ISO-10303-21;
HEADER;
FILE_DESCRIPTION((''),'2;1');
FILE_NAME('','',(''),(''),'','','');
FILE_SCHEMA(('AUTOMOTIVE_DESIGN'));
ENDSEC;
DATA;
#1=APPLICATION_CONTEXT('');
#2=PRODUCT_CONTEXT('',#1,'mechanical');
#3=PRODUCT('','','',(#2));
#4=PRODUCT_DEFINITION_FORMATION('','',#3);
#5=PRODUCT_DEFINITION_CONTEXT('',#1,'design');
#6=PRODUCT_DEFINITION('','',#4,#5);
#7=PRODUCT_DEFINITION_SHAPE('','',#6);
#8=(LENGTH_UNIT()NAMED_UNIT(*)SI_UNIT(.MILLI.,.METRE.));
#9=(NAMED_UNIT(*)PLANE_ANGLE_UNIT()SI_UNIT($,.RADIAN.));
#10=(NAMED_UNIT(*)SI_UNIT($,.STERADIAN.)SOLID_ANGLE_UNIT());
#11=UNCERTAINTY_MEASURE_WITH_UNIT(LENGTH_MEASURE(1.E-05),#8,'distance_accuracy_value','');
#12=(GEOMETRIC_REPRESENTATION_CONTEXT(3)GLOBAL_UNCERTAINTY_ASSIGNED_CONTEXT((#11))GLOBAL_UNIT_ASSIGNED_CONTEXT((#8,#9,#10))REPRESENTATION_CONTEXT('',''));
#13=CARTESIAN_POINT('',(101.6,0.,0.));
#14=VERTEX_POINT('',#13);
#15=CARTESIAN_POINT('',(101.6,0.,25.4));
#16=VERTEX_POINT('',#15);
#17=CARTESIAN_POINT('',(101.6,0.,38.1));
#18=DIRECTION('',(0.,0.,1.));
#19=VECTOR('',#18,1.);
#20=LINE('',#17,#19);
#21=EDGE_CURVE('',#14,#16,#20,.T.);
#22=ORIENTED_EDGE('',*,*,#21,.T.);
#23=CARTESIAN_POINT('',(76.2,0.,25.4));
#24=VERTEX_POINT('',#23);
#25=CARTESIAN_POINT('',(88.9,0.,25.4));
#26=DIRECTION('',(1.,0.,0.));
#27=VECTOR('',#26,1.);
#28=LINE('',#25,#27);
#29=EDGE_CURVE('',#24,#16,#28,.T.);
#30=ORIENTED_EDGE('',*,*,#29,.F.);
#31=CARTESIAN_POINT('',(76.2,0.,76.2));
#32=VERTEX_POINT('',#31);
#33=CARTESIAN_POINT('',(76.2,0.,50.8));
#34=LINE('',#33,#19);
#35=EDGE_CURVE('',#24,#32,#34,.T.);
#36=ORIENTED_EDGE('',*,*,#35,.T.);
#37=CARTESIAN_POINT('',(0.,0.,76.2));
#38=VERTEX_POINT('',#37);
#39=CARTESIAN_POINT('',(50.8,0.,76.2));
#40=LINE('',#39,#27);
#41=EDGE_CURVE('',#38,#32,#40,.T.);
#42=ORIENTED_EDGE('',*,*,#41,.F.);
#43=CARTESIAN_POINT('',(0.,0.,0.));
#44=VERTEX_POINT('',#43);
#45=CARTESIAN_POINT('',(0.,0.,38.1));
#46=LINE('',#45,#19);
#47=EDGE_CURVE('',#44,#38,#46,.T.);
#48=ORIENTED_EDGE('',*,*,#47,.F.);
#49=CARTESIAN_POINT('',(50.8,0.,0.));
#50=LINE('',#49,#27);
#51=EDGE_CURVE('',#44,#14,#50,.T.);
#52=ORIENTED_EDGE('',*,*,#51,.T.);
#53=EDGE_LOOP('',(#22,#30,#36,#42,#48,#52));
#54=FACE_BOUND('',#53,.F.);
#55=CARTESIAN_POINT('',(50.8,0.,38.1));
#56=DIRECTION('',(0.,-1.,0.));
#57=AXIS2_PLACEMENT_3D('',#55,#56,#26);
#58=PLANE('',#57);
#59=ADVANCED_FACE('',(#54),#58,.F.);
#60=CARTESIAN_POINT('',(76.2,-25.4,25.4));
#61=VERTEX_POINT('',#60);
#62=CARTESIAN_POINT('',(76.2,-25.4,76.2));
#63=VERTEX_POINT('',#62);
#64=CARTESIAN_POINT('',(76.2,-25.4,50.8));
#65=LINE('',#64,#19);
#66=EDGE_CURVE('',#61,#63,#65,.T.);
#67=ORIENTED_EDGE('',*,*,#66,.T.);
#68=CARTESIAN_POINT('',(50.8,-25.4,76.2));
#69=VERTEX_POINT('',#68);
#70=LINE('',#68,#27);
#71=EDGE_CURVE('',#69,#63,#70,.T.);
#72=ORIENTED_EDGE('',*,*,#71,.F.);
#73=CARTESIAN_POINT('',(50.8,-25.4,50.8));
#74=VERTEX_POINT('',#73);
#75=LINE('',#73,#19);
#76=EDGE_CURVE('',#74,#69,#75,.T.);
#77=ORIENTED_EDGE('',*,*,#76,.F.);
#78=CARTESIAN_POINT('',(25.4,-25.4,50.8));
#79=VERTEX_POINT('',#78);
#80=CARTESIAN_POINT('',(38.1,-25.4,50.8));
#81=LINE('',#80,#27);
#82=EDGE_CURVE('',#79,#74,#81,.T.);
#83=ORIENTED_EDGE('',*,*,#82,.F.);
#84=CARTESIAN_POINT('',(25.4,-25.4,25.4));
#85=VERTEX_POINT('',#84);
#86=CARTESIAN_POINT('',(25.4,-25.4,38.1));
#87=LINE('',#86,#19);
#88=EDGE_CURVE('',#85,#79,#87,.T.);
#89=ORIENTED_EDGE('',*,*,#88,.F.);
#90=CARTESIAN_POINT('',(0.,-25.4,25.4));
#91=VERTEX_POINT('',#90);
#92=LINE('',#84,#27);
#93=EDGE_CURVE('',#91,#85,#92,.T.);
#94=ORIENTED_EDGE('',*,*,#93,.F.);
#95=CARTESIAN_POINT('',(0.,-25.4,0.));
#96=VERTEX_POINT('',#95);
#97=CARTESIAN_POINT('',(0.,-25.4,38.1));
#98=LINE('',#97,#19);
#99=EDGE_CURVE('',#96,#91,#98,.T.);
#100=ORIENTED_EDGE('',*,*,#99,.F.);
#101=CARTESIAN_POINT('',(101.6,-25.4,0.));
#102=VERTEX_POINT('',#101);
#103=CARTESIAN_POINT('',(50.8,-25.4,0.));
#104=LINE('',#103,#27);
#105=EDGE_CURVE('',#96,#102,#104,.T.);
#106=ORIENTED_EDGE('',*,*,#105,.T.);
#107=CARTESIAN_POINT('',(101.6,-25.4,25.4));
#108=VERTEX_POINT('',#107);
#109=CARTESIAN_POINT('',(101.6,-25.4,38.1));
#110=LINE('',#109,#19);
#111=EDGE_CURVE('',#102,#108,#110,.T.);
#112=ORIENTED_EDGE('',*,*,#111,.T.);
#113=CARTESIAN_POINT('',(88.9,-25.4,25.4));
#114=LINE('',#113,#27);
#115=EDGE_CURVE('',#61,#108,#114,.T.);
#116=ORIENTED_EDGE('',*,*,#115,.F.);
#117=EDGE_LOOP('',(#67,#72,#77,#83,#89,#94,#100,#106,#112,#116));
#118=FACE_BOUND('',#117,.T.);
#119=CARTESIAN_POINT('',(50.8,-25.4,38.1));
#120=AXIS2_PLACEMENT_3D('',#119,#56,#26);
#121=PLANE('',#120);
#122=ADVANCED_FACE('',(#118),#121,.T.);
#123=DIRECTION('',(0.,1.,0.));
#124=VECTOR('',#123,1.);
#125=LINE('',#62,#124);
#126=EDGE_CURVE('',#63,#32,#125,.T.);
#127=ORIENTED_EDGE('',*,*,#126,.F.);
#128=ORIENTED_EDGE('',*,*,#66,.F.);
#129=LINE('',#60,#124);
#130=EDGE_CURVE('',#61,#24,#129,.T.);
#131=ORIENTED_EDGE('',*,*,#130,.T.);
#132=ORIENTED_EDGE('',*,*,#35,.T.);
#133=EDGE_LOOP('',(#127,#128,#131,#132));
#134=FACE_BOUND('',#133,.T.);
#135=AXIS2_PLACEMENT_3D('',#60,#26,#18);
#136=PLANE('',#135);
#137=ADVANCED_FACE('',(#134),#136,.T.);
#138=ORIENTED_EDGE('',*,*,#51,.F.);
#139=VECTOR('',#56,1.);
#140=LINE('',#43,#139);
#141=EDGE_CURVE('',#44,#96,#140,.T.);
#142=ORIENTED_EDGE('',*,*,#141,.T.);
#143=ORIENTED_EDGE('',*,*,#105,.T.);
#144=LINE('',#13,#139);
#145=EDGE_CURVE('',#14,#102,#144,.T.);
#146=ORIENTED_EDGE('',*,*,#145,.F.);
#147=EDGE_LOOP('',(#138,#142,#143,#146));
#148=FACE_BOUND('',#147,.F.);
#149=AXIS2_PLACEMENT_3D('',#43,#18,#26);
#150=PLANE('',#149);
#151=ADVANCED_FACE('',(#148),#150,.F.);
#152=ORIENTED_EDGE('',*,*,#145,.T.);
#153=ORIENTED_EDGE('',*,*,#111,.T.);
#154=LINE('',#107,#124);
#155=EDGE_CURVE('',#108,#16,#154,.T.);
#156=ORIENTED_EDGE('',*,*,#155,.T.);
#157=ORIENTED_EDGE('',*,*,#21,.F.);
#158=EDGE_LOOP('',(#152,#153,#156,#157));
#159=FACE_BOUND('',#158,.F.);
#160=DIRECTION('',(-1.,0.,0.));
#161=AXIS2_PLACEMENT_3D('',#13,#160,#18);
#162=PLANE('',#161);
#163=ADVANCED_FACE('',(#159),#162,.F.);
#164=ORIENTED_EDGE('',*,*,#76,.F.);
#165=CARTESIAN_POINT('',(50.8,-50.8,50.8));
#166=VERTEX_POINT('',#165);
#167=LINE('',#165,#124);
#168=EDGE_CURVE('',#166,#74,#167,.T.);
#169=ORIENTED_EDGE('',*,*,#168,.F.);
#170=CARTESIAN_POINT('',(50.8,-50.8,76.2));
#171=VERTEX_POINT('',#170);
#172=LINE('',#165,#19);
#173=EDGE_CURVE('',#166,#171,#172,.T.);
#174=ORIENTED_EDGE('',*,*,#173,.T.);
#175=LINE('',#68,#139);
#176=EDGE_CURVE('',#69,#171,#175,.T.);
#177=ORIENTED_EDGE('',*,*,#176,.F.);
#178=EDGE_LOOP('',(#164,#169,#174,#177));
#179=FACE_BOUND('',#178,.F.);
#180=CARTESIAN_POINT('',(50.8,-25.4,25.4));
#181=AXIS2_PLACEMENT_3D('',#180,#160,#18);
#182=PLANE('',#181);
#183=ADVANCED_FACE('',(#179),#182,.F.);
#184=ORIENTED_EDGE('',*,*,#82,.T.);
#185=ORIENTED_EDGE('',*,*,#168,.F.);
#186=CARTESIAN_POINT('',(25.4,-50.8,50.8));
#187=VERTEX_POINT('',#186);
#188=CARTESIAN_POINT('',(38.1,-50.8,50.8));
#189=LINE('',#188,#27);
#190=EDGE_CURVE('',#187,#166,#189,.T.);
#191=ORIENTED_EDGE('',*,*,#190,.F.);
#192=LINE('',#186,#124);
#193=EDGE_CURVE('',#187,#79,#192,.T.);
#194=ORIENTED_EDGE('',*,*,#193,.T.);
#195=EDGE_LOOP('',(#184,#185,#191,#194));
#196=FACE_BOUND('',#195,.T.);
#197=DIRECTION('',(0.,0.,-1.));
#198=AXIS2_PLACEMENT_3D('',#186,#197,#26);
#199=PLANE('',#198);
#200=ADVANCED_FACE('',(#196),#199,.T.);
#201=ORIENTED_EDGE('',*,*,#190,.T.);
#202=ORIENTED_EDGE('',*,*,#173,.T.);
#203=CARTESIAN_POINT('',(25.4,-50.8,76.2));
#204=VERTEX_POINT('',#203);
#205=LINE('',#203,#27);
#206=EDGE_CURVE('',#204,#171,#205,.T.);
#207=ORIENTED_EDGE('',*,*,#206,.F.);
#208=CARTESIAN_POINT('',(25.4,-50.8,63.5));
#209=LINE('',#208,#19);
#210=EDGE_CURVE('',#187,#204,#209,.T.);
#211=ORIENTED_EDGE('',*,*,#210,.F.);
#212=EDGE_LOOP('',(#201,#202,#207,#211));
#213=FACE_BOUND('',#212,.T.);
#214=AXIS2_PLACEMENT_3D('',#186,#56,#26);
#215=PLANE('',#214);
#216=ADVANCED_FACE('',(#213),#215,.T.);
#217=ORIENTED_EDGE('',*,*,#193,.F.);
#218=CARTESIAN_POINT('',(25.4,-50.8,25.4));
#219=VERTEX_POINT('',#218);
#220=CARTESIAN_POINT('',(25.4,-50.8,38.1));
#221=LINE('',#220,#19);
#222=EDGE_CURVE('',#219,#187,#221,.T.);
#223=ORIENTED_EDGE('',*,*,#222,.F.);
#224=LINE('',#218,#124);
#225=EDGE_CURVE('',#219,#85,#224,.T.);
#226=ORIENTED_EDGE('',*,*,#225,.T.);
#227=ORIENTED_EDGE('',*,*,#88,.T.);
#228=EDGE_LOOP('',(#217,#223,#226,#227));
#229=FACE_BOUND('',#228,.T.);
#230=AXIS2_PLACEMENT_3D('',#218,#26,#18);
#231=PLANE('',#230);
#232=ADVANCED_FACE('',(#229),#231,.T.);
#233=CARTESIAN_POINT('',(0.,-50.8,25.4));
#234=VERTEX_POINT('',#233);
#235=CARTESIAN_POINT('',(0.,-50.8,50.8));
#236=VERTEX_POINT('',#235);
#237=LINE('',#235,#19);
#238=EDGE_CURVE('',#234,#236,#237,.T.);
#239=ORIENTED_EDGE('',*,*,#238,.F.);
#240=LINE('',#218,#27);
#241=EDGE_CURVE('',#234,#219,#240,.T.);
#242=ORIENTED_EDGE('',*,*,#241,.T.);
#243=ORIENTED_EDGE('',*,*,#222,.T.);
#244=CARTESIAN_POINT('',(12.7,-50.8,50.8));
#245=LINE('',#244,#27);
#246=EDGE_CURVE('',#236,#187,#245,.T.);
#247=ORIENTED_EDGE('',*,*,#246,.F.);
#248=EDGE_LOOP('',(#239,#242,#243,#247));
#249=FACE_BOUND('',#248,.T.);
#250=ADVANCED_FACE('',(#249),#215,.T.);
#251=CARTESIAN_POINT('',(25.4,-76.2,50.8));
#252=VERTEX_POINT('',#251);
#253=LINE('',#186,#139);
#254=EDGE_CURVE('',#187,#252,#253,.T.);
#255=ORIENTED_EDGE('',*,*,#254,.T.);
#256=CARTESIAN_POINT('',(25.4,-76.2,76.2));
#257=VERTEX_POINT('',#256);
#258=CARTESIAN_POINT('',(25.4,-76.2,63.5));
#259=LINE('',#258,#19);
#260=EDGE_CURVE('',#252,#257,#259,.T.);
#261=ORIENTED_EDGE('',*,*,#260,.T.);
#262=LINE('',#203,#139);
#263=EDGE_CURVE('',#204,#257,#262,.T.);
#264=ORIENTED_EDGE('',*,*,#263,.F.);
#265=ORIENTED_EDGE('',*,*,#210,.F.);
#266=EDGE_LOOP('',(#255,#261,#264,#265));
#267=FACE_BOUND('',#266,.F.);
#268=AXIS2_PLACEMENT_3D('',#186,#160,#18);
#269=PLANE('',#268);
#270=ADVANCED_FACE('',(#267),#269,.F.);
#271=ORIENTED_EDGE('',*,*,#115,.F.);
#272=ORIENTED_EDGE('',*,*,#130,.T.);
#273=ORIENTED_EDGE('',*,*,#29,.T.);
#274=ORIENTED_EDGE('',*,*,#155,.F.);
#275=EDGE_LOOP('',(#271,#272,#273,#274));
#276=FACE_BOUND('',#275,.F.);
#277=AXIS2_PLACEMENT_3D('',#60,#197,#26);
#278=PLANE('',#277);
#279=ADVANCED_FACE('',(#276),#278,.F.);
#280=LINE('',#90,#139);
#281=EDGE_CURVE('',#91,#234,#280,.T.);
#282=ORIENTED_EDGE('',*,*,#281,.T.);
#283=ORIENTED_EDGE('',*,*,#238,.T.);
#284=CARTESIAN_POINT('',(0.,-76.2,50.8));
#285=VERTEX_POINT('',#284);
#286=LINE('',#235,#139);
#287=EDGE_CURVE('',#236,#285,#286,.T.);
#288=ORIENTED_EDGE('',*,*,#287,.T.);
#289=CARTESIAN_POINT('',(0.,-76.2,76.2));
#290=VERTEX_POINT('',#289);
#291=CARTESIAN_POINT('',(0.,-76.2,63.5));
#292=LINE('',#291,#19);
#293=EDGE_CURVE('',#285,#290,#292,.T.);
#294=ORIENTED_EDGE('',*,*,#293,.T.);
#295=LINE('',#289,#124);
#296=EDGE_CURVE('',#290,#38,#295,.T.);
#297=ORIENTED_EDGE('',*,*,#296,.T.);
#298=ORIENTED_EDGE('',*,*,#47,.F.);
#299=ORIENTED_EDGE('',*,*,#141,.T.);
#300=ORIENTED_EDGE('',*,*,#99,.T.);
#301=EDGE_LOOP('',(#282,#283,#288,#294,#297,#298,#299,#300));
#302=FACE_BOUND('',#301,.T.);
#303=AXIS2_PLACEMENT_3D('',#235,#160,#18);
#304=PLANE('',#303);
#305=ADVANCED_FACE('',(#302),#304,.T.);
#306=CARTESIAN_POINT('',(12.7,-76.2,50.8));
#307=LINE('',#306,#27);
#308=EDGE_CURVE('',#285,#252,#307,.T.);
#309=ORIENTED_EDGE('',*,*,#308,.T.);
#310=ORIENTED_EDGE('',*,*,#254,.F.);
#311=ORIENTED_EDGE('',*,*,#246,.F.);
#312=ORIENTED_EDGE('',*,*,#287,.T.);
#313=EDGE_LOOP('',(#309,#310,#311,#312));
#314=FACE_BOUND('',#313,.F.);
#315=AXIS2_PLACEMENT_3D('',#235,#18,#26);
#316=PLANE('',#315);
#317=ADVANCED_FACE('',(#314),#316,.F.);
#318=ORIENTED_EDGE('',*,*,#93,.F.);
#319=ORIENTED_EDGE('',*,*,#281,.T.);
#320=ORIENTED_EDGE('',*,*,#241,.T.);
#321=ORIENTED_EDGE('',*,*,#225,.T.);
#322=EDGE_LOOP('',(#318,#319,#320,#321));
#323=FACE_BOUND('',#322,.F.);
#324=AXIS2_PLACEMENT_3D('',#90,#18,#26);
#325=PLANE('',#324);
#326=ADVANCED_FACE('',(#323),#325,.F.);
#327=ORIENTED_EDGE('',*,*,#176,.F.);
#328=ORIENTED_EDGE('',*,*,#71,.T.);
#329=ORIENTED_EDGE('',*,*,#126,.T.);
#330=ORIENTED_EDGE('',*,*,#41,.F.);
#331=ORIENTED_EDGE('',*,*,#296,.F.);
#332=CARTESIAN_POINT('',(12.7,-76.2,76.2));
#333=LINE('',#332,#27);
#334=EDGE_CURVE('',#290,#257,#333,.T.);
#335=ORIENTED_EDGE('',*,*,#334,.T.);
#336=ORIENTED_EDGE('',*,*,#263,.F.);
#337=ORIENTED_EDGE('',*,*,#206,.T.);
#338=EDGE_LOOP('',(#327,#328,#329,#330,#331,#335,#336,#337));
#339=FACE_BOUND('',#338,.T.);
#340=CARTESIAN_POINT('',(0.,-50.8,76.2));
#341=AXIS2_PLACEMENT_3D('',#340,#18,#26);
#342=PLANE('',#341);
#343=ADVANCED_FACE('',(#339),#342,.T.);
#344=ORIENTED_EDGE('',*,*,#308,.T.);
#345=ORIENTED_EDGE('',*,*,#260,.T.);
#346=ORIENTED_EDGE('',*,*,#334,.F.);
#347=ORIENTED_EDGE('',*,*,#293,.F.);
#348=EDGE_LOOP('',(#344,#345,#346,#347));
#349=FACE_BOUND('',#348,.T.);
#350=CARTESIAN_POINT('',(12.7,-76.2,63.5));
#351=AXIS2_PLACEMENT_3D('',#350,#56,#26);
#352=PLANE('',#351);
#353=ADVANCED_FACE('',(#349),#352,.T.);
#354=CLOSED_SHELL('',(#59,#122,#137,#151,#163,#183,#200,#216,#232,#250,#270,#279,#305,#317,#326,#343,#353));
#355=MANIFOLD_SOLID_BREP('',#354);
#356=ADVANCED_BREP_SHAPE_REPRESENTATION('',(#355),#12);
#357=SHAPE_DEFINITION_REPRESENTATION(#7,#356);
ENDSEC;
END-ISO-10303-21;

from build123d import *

# Parameters (mm, degrees)
F0_W     = 101.6
F0_H     = 76.2
F1_DEPTH = 25.4
F2_W     = 25.4
F2_H     = 50.8
F3_DEPTH = 25.4
F4_W     = 50.8
F4_H     = 50.8
F5_DEPTH = 25.4
F6_W     = 25.4
F6_H     = 25.4
F7_DEPTH = 25.4
F8_W     = 25.4
F8_H     = 25.4
F9_DEPTH = 25.4


with BuildPart() as f1:
    # F0 (on Front) → F1 (new body)
    with BuildSketch(Plane.XZ):
        with Locations((50.8, 38.1)):
            Rectangle(F0_W, F0_H)
    extrude(amount=F1_DEPTH)

    # F2 (on face) → F3 (cut)
    with BuildSketch(Plane.XZ.offset(25.4)):
        with Locations((88.9, 50.8)):
            Rectangle(F2_W, F2_H)
    extrude(amount=-F3_DEPTH, mode=Mode.SUBTRACT)

    # F4 (on face) → F5 (join)
    with BuildSketch(Plane.XZ.offset(25.4)):
        with Locations((25.4, 50.8)):
            Rectangle(F4_W, F4_H)
    extrude(amount=F5_DEPTH)

    # F6 (on face) → F7 (cut)
    with BuildSketch(Plane.XZ.offset(50.8)):
        with Locations((38.1, 38.1)):
            Rectangle(F6_W, F6_H)
    extrude(amount=-F7_DEPTH, mode=Mode.SUBTRACT)

    # F8 (on face) → F9 (join)
    with BuildSketch(Plane.XZ.offset(50.8)):
        with Locations((12.7, 63.5)):
            Rectangle(F8_W, F8_H)
    extrude(amount=F9_DEPTH)


solid = f1.part
